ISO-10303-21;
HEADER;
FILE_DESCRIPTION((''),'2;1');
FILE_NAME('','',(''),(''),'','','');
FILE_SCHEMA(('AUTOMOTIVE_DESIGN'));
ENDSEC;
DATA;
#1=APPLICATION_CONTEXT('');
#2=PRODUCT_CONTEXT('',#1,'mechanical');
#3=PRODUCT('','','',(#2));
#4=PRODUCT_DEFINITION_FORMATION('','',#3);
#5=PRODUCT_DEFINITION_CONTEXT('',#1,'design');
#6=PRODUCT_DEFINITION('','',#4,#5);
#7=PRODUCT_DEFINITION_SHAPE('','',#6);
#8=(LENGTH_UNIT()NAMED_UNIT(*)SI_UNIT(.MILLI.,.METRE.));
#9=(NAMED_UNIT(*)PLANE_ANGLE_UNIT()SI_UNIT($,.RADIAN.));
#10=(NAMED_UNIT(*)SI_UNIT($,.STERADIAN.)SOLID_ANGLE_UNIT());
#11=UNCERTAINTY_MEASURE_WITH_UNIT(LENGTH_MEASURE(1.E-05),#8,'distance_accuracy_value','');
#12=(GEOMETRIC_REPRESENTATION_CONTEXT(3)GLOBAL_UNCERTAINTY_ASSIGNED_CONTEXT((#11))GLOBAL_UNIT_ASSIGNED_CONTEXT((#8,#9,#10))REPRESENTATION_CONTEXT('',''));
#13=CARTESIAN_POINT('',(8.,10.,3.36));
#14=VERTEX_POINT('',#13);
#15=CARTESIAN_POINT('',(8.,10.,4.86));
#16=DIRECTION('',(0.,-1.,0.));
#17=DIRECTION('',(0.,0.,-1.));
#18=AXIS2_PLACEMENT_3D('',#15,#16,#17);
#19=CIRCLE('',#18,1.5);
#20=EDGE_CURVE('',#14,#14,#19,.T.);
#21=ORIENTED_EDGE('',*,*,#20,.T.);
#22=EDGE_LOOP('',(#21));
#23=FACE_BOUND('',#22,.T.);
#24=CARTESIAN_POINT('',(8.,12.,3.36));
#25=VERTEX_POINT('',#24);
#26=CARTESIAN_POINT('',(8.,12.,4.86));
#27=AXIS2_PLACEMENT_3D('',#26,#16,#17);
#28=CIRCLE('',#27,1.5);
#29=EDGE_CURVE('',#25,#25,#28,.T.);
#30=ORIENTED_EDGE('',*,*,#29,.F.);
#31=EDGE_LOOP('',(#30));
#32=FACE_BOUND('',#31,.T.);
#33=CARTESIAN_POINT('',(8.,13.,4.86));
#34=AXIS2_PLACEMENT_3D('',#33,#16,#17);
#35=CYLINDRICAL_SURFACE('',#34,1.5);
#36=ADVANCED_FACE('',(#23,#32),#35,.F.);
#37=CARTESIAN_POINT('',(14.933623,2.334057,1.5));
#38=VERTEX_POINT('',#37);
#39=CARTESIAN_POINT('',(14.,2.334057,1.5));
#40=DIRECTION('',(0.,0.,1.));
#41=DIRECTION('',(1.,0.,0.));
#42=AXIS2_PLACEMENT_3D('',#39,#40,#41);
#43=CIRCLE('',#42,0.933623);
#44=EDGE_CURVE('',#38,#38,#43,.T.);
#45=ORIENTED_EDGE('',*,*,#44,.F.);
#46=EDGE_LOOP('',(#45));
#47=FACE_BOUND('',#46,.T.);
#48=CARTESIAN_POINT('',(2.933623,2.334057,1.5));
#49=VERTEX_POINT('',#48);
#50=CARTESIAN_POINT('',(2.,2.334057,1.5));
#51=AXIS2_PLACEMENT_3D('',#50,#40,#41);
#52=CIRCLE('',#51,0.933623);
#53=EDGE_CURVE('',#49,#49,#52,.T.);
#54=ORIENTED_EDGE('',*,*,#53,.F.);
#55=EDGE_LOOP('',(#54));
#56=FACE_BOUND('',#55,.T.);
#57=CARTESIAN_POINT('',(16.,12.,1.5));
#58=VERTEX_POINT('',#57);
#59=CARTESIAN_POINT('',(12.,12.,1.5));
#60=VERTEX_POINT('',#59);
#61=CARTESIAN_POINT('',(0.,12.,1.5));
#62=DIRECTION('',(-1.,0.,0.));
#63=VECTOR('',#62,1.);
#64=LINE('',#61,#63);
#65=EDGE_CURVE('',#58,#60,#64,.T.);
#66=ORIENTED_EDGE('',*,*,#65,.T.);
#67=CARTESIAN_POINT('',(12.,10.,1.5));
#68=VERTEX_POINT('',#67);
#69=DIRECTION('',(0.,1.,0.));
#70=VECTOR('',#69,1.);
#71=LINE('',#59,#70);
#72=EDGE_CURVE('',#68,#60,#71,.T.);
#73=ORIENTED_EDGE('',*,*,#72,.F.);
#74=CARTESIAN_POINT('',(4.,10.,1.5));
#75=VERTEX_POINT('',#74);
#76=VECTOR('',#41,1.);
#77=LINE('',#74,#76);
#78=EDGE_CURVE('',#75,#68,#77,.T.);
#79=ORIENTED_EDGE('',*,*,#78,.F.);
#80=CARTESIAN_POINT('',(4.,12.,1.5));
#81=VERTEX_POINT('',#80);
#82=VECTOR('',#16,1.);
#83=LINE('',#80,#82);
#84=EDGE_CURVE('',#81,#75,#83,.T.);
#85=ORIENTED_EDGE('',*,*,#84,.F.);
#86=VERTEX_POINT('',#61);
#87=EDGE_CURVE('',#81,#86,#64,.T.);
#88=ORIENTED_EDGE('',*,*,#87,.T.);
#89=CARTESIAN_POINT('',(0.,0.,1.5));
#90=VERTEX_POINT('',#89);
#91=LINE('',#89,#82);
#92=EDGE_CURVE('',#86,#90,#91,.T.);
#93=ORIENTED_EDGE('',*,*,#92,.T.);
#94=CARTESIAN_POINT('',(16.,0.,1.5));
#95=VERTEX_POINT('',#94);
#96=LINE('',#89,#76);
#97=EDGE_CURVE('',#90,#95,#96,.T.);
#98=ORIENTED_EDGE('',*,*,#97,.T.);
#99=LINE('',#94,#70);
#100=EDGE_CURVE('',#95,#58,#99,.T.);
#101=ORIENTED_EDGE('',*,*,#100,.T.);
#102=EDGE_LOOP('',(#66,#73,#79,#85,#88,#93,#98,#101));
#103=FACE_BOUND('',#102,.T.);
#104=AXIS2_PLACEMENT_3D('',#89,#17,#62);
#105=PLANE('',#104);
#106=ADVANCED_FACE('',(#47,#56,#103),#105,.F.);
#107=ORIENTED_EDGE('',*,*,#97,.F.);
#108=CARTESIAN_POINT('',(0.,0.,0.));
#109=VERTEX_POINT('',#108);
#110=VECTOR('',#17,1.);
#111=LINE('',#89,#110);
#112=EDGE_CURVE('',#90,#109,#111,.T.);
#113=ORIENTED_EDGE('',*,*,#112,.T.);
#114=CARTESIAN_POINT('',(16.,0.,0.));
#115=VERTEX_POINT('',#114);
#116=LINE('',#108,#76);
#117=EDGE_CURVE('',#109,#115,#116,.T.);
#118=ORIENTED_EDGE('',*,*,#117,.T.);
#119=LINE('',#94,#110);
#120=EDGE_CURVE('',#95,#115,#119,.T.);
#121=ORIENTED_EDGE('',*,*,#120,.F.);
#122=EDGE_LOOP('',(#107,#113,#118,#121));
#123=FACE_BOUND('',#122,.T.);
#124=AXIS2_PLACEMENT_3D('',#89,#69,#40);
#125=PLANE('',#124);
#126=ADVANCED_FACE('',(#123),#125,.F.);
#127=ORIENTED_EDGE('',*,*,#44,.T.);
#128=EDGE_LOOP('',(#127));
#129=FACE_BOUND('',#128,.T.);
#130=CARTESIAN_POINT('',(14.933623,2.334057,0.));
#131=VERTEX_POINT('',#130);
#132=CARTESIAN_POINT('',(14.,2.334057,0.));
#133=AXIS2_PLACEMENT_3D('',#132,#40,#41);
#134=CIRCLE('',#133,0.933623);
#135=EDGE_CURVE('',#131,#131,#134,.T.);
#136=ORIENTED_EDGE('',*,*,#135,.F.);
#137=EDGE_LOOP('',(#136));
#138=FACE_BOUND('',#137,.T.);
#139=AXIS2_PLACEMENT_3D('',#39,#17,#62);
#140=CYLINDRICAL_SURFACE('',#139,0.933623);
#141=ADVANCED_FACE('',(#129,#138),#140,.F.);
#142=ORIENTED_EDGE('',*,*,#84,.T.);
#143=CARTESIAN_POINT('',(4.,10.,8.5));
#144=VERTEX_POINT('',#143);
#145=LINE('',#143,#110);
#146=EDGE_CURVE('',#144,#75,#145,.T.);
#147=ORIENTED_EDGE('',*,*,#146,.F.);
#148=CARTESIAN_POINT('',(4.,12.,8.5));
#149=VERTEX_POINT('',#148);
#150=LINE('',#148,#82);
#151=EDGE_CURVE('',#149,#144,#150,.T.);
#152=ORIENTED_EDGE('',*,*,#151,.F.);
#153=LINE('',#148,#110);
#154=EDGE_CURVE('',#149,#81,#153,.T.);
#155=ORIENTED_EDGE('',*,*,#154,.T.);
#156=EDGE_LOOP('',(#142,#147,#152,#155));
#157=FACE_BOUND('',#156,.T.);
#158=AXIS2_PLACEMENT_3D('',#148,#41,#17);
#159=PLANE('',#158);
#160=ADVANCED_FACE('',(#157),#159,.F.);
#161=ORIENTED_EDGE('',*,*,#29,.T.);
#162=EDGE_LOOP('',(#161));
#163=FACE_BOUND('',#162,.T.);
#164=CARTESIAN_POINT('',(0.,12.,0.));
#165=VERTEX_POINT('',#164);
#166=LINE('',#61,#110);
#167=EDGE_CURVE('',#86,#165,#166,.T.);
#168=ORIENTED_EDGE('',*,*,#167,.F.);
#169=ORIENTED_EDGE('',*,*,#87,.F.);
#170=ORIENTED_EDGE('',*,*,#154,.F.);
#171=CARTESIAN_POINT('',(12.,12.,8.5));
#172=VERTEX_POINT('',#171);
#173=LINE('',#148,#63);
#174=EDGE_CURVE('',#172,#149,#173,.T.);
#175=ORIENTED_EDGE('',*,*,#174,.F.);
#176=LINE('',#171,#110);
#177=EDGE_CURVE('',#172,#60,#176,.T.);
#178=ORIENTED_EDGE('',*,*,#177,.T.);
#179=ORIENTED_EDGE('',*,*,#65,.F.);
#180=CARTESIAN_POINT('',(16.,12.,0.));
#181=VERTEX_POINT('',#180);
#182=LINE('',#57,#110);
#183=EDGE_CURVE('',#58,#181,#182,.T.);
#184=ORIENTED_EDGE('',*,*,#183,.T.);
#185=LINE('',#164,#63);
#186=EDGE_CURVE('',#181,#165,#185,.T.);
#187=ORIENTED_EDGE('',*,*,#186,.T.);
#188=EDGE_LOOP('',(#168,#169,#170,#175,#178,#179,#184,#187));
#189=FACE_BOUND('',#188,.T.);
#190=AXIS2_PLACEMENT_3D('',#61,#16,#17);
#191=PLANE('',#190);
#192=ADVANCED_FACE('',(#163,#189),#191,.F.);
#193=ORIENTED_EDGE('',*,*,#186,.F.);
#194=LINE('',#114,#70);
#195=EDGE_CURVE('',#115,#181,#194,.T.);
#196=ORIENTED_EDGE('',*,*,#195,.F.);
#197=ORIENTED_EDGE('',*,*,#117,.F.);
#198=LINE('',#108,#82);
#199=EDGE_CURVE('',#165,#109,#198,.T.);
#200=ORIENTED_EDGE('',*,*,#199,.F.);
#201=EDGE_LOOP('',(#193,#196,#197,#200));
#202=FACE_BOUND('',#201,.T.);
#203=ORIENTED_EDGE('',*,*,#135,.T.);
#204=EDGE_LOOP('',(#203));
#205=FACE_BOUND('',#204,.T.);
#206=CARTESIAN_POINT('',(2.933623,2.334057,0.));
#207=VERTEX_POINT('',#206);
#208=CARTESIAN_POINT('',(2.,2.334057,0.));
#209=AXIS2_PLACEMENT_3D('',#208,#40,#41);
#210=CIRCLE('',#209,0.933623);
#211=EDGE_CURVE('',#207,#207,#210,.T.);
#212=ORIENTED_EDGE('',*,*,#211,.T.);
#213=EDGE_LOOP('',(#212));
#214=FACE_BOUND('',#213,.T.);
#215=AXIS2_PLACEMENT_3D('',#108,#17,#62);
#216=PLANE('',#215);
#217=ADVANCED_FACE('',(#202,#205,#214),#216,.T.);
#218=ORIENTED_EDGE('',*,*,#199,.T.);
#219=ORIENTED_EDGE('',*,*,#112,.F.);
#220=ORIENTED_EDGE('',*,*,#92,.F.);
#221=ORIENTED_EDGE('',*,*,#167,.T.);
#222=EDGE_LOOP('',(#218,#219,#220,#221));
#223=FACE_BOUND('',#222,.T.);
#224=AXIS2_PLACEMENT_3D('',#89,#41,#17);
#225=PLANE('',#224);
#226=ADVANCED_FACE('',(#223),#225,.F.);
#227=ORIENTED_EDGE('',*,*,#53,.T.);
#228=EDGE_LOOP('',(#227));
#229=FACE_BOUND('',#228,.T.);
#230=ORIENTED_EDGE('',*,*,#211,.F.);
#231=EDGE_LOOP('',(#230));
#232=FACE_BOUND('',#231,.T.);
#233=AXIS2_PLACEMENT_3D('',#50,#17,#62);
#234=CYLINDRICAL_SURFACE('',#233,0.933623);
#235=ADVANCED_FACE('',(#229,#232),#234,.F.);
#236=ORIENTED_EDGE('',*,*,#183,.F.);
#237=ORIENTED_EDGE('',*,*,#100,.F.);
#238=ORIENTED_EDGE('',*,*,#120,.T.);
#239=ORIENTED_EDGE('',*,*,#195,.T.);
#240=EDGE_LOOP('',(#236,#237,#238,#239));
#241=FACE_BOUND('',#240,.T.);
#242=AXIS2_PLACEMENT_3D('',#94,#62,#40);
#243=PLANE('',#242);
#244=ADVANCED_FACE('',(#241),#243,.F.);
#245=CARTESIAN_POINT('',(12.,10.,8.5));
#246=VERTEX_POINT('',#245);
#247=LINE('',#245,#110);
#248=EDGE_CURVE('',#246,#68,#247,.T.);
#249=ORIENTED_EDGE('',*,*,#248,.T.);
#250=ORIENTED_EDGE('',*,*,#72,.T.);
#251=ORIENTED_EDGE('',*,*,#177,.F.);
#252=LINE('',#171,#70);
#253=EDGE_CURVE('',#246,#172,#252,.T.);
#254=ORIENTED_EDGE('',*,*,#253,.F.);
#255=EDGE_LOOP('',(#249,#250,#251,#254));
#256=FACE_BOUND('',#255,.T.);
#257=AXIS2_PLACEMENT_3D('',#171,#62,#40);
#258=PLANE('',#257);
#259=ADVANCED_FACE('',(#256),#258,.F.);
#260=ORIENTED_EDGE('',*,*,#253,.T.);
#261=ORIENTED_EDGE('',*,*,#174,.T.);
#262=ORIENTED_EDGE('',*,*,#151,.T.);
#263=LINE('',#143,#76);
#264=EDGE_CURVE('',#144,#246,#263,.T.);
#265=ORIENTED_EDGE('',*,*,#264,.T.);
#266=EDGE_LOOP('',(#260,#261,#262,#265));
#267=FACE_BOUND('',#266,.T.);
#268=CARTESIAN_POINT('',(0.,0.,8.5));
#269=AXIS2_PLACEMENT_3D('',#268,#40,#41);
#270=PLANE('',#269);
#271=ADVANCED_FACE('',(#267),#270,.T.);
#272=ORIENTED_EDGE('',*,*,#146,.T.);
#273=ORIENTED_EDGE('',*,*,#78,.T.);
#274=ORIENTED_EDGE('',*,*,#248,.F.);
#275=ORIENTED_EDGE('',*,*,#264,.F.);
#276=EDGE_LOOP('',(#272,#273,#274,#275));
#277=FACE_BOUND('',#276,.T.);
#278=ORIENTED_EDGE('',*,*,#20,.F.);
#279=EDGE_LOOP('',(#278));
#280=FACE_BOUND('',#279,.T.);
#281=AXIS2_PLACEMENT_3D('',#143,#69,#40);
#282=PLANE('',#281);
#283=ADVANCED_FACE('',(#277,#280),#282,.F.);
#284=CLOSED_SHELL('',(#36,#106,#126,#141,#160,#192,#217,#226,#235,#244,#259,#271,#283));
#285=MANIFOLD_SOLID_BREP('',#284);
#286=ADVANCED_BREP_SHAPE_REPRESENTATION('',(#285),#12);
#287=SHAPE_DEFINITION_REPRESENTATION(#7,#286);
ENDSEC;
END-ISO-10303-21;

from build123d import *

# Parameters (mm, degrees)
SKETCH_2_W          = 16
SKETCH_2_H          = 12
SKETCH_2_R          = 0.933622945
EXTRUDE_1_DEPTH     = 1.5
SKETCH_3_W          = 8
SKETCH_3_H          = 2
EXTRUDE_2_DEPTH     = 7
SKETCH_4_R          = 1.5
CUT_EXTRUDE_1_DEPTH = 3


with BuildPart() as part:
    # 草图2 → 凸台-拉伸1 (new body)
    with BuildSketch(Plane.XY):
        with Locations((8, 6)):
            Rectangle(SKETCH_2_W, SKETCH_2_H)
        with Locations((2, 2.334057363)):
            Circle(SKETCH_2_R, mode=Mode.SUBTRACT)
        with Locations((14, 2.334057363)):
            Circle(SKETCH_2_R, mode=Mode.SUBTRACT)
    extrude(amount=EXTRUDE_1_DEPTH)

    # 草图3 → 凸台-拉伸2 (add)
    with BuildSketch(Plane.XY.offset(1.5)):
        with Locations((8, 11)):
            Rectangle(SKETCH_3_W, SKETCH_3_H)
    extrude(amount=EXTRUDE_2_DEPTH)

    # 草图4 → 切除-拉伸1 (cut)
    with BuildSketch(Plane.XZ.offset(-10)):
        with Locations((8, 4.86)):
            Circle(SKETCH_4_R)
    extrude(amount=-CUT_EXTRUDE_1_DEPTH, mode=Mode.SUBTRACT)


solid = part.part
